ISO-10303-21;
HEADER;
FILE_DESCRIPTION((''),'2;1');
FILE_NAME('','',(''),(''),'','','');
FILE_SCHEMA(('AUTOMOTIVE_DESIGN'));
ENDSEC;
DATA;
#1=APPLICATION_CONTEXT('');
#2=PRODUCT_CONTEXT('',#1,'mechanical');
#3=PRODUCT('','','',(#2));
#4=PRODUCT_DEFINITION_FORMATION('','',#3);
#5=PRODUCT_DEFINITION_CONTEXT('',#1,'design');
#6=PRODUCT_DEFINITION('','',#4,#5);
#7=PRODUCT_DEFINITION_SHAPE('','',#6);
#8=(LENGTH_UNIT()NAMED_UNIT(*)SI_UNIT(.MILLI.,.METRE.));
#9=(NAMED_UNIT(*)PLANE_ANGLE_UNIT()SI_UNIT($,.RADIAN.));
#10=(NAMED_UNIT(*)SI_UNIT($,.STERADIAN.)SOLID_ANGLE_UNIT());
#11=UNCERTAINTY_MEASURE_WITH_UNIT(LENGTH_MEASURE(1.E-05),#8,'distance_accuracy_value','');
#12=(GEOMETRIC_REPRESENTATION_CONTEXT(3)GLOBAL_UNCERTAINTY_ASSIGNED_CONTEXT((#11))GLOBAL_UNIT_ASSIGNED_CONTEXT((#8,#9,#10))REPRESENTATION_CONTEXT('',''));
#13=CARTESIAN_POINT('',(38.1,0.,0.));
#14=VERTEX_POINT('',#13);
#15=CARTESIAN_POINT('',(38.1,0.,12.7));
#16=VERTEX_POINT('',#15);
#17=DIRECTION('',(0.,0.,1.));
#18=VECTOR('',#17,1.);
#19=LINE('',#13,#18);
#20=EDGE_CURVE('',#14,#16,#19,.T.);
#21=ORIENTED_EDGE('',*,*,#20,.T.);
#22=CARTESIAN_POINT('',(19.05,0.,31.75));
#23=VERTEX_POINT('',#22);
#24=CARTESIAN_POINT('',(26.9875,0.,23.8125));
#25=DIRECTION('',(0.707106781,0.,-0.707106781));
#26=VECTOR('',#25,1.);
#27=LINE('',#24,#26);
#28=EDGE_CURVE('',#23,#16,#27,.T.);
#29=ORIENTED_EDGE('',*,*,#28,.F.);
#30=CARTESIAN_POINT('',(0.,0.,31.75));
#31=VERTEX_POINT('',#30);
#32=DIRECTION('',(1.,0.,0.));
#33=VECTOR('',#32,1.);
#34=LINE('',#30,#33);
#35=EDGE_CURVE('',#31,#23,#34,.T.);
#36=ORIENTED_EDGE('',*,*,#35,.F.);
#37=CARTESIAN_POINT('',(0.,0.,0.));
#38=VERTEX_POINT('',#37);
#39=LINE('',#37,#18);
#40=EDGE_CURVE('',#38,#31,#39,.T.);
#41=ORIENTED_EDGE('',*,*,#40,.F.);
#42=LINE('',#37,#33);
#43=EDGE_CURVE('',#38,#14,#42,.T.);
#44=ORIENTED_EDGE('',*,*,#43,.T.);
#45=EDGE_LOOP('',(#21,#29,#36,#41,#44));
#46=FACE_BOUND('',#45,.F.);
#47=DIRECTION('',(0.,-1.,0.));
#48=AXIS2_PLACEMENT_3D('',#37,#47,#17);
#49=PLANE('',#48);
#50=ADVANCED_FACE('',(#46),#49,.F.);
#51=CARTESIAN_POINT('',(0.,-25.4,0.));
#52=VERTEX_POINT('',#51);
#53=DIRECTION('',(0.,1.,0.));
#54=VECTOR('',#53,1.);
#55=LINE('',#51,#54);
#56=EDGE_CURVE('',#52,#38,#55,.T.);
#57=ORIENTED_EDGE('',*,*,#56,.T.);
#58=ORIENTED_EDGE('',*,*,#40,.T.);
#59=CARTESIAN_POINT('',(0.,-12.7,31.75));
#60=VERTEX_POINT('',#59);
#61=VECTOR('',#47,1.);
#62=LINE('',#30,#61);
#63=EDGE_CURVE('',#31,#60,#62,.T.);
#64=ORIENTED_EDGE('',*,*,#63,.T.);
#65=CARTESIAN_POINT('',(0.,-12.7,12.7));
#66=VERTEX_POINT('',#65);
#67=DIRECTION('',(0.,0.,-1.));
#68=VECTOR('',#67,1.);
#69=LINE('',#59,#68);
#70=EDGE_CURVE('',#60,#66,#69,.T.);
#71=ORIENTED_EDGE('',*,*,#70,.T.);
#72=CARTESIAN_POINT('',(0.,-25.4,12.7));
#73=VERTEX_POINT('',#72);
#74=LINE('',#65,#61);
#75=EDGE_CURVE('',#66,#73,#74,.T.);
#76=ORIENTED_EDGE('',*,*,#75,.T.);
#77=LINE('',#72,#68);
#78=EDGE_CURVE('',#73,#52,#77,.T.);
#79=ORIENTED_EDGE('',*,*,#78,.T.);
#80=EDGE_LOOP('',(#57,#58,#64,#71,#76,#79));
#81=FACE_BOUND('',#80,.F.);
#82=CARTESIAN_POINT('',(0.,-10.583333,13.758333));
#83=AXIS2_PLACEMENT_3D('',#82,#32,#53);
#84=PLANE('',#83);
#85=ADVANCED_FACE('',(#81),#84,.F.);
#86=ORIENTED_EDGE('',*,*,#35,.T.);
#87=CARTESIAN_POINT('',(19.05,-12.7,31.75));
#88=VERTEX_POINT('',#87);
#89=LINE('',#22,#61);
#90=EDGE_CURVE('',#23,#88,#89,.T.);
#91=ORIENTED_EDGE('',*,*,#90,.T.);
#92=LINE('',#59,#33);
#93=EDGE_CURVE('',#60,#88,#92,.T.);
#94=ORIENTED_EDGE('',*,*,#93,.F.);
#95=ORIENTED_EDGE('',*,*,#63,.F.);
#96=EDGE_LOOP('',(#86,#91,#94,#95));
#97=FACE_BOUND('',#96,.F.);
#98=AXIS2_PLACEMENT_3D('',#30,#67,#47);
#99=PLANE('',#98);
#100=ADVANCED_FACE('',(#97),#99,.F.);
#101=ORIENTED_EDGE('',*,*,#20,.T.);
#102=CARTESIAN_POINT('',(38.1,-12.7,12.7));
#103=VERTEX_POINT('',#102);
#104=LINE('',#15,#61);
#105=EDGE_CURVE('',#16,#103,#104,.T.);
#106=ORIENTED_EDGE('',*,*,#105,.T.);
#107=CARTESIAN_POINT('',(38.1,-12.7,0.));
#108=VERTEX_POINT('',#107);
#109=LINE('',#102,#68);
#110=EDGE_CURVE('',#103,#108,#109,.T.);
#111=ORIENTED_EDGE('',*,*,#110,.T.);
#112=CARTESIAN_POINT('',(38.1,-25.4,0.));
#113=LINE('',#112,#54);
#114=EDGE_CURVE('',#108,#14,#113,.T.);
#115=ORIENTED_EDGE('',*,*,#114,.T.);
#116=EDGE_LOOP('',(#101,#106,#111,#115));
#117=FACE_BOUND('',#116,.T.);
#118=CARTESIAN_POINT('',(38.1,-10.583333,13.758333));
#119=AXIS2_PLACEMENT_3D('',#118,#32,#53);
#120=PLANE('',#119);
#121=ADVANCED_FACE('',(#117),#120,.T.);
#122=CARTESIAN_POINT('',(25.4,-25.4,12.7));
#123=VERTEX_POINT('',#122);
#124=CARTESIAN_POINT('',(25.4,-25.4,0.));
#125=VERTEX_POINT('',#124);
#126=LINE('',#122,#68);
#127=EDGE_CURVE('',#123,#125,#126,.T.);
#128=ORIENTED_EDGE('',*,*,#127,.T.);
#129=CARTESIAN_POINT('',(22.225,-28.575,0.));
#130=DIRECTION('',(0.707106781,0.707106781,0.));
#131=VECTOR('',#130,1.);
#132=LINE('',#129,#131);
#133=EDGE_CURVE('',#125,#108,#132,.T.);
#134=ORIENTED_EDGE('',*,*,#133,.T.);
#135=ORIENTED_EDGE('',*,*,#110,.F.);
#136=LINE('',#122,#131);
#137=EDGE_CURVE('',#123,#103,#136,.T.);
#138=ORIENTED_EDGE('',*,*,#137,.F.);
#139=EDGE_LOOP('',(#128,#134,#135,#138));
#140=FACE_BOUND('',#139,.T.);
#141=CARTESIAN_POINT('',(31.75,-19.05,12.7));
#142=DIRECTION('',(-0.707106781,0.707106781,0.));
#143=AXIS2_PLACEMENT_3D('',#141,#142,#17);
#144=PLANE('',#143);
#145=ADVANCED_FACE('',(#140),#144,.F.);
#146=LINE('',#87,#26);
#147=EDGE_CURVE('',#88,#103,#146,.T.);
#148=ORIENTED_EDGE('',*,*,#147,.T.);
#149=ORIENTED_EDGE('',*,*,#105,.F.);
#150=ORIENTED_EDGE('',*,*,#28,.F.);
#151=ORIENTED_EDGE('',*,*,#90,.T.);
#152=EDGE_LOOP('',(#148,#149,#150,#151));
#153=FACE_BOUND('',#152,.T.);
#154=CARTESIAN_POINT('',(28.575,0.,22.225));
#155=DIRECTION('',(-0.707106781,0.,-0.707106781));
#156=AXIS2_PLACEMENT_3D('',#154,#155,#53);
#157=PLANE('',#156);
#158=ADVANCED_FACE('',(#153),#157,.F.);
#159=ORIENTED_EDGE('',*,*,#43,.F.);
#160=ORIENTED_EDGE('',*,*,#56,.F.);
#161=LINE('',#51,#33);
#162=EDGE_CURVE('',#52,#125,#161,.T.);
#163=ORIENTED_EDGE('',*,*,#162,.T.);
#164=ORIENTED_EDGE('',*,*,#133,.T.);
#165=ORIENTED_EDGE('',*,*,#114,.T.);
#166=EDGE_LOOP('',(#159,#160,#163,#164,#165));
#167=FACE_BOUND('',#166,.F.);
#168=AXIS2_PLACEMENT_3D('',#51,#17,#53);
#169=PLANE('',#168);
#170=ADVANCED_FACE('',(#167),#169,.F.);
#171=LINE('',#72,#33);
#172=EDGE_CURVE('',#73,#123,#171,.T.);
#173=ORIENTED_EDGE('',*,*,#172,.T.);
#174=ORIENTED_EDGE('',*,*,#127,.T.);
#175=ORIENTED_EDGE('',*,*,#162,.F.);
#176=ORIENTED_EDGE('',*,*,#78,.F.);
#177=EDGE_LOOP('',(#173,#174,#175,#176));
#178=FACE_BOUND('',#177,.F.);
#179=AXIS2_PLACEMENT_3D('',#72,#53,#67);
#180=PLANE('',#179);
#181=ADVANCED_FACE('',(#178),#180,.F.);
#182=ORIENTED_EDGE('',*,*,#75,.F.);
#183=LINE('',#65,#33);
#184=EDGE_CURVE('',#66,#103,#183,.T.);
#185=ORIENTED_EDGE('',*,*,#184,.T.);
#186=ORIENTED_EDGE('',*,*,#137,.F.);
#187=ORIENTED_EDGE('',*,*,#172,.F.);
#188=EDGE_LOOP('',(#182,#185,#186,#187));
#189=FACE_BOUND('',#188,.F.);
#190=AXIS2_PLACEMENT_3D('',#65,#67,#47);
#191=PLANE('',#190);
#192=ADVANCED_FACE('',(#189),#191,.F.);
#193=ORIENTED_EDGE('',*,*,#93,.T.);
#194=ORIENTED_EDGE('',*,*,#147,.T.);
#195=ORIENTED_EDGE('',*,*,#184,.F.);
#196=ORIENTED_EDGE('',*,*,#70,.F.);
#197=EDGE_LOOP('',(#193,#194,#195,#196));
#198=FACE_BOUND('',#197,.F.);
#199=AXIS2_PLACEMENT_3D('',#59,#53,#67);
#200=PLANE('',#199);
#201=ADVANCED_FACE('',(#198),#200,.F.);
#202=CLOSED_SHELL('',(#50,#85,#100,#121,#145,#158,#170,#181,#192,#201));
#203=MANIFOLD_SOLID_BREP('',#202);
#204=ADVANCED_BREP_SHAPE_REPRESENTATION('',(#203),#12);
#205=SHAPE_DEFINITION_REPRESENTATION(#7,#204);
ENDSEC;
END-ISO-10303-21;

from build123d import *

# Parameters (mm, degrees)
F1_DEPTH = 38.1
F2_SIZE  = 12.7
F4_DEPTH = 25.4
F5_SIZE  = 19.05


with BuildPart() as f1:
    # F0 (on Right) → F1 (new body)
    with BuildSketch(Plane.YZ):
        Polygon((-25.4, 0), (0, 0), (0, 31.75), (-12.7, 31.75), (-12.7, 12.7), (-25.4, 12.7), align=None)
    extrude(amount=F1_DEPTH)

    # F2
    f2_edges = [f1.edges().sort_by_distance(p)[0] for p in [
        (38.1, -25.4, 6.35),
    ]]
    chamfer(f2_edges, length=F2_SIZE)

    # F3 (on face) → F4 (cut)
    with BuildSketch(Plane.XY.offset(31.75)):
        Polygon((38.1, -12.7), (19.05, -12.7), (55.73336, -31.905897), align=None)
    extrude(amount=F4_DEPTH, mode=Mode.SUBTRACT)

    # F5
    f5_edges = [f1.edges().sort_by_distance(p)[0] for p in [
        (38.1, -6.35, 31.75),
    ]]
    chamfer(f5_edges, length=F5_SIZE)


solid = f1.part
